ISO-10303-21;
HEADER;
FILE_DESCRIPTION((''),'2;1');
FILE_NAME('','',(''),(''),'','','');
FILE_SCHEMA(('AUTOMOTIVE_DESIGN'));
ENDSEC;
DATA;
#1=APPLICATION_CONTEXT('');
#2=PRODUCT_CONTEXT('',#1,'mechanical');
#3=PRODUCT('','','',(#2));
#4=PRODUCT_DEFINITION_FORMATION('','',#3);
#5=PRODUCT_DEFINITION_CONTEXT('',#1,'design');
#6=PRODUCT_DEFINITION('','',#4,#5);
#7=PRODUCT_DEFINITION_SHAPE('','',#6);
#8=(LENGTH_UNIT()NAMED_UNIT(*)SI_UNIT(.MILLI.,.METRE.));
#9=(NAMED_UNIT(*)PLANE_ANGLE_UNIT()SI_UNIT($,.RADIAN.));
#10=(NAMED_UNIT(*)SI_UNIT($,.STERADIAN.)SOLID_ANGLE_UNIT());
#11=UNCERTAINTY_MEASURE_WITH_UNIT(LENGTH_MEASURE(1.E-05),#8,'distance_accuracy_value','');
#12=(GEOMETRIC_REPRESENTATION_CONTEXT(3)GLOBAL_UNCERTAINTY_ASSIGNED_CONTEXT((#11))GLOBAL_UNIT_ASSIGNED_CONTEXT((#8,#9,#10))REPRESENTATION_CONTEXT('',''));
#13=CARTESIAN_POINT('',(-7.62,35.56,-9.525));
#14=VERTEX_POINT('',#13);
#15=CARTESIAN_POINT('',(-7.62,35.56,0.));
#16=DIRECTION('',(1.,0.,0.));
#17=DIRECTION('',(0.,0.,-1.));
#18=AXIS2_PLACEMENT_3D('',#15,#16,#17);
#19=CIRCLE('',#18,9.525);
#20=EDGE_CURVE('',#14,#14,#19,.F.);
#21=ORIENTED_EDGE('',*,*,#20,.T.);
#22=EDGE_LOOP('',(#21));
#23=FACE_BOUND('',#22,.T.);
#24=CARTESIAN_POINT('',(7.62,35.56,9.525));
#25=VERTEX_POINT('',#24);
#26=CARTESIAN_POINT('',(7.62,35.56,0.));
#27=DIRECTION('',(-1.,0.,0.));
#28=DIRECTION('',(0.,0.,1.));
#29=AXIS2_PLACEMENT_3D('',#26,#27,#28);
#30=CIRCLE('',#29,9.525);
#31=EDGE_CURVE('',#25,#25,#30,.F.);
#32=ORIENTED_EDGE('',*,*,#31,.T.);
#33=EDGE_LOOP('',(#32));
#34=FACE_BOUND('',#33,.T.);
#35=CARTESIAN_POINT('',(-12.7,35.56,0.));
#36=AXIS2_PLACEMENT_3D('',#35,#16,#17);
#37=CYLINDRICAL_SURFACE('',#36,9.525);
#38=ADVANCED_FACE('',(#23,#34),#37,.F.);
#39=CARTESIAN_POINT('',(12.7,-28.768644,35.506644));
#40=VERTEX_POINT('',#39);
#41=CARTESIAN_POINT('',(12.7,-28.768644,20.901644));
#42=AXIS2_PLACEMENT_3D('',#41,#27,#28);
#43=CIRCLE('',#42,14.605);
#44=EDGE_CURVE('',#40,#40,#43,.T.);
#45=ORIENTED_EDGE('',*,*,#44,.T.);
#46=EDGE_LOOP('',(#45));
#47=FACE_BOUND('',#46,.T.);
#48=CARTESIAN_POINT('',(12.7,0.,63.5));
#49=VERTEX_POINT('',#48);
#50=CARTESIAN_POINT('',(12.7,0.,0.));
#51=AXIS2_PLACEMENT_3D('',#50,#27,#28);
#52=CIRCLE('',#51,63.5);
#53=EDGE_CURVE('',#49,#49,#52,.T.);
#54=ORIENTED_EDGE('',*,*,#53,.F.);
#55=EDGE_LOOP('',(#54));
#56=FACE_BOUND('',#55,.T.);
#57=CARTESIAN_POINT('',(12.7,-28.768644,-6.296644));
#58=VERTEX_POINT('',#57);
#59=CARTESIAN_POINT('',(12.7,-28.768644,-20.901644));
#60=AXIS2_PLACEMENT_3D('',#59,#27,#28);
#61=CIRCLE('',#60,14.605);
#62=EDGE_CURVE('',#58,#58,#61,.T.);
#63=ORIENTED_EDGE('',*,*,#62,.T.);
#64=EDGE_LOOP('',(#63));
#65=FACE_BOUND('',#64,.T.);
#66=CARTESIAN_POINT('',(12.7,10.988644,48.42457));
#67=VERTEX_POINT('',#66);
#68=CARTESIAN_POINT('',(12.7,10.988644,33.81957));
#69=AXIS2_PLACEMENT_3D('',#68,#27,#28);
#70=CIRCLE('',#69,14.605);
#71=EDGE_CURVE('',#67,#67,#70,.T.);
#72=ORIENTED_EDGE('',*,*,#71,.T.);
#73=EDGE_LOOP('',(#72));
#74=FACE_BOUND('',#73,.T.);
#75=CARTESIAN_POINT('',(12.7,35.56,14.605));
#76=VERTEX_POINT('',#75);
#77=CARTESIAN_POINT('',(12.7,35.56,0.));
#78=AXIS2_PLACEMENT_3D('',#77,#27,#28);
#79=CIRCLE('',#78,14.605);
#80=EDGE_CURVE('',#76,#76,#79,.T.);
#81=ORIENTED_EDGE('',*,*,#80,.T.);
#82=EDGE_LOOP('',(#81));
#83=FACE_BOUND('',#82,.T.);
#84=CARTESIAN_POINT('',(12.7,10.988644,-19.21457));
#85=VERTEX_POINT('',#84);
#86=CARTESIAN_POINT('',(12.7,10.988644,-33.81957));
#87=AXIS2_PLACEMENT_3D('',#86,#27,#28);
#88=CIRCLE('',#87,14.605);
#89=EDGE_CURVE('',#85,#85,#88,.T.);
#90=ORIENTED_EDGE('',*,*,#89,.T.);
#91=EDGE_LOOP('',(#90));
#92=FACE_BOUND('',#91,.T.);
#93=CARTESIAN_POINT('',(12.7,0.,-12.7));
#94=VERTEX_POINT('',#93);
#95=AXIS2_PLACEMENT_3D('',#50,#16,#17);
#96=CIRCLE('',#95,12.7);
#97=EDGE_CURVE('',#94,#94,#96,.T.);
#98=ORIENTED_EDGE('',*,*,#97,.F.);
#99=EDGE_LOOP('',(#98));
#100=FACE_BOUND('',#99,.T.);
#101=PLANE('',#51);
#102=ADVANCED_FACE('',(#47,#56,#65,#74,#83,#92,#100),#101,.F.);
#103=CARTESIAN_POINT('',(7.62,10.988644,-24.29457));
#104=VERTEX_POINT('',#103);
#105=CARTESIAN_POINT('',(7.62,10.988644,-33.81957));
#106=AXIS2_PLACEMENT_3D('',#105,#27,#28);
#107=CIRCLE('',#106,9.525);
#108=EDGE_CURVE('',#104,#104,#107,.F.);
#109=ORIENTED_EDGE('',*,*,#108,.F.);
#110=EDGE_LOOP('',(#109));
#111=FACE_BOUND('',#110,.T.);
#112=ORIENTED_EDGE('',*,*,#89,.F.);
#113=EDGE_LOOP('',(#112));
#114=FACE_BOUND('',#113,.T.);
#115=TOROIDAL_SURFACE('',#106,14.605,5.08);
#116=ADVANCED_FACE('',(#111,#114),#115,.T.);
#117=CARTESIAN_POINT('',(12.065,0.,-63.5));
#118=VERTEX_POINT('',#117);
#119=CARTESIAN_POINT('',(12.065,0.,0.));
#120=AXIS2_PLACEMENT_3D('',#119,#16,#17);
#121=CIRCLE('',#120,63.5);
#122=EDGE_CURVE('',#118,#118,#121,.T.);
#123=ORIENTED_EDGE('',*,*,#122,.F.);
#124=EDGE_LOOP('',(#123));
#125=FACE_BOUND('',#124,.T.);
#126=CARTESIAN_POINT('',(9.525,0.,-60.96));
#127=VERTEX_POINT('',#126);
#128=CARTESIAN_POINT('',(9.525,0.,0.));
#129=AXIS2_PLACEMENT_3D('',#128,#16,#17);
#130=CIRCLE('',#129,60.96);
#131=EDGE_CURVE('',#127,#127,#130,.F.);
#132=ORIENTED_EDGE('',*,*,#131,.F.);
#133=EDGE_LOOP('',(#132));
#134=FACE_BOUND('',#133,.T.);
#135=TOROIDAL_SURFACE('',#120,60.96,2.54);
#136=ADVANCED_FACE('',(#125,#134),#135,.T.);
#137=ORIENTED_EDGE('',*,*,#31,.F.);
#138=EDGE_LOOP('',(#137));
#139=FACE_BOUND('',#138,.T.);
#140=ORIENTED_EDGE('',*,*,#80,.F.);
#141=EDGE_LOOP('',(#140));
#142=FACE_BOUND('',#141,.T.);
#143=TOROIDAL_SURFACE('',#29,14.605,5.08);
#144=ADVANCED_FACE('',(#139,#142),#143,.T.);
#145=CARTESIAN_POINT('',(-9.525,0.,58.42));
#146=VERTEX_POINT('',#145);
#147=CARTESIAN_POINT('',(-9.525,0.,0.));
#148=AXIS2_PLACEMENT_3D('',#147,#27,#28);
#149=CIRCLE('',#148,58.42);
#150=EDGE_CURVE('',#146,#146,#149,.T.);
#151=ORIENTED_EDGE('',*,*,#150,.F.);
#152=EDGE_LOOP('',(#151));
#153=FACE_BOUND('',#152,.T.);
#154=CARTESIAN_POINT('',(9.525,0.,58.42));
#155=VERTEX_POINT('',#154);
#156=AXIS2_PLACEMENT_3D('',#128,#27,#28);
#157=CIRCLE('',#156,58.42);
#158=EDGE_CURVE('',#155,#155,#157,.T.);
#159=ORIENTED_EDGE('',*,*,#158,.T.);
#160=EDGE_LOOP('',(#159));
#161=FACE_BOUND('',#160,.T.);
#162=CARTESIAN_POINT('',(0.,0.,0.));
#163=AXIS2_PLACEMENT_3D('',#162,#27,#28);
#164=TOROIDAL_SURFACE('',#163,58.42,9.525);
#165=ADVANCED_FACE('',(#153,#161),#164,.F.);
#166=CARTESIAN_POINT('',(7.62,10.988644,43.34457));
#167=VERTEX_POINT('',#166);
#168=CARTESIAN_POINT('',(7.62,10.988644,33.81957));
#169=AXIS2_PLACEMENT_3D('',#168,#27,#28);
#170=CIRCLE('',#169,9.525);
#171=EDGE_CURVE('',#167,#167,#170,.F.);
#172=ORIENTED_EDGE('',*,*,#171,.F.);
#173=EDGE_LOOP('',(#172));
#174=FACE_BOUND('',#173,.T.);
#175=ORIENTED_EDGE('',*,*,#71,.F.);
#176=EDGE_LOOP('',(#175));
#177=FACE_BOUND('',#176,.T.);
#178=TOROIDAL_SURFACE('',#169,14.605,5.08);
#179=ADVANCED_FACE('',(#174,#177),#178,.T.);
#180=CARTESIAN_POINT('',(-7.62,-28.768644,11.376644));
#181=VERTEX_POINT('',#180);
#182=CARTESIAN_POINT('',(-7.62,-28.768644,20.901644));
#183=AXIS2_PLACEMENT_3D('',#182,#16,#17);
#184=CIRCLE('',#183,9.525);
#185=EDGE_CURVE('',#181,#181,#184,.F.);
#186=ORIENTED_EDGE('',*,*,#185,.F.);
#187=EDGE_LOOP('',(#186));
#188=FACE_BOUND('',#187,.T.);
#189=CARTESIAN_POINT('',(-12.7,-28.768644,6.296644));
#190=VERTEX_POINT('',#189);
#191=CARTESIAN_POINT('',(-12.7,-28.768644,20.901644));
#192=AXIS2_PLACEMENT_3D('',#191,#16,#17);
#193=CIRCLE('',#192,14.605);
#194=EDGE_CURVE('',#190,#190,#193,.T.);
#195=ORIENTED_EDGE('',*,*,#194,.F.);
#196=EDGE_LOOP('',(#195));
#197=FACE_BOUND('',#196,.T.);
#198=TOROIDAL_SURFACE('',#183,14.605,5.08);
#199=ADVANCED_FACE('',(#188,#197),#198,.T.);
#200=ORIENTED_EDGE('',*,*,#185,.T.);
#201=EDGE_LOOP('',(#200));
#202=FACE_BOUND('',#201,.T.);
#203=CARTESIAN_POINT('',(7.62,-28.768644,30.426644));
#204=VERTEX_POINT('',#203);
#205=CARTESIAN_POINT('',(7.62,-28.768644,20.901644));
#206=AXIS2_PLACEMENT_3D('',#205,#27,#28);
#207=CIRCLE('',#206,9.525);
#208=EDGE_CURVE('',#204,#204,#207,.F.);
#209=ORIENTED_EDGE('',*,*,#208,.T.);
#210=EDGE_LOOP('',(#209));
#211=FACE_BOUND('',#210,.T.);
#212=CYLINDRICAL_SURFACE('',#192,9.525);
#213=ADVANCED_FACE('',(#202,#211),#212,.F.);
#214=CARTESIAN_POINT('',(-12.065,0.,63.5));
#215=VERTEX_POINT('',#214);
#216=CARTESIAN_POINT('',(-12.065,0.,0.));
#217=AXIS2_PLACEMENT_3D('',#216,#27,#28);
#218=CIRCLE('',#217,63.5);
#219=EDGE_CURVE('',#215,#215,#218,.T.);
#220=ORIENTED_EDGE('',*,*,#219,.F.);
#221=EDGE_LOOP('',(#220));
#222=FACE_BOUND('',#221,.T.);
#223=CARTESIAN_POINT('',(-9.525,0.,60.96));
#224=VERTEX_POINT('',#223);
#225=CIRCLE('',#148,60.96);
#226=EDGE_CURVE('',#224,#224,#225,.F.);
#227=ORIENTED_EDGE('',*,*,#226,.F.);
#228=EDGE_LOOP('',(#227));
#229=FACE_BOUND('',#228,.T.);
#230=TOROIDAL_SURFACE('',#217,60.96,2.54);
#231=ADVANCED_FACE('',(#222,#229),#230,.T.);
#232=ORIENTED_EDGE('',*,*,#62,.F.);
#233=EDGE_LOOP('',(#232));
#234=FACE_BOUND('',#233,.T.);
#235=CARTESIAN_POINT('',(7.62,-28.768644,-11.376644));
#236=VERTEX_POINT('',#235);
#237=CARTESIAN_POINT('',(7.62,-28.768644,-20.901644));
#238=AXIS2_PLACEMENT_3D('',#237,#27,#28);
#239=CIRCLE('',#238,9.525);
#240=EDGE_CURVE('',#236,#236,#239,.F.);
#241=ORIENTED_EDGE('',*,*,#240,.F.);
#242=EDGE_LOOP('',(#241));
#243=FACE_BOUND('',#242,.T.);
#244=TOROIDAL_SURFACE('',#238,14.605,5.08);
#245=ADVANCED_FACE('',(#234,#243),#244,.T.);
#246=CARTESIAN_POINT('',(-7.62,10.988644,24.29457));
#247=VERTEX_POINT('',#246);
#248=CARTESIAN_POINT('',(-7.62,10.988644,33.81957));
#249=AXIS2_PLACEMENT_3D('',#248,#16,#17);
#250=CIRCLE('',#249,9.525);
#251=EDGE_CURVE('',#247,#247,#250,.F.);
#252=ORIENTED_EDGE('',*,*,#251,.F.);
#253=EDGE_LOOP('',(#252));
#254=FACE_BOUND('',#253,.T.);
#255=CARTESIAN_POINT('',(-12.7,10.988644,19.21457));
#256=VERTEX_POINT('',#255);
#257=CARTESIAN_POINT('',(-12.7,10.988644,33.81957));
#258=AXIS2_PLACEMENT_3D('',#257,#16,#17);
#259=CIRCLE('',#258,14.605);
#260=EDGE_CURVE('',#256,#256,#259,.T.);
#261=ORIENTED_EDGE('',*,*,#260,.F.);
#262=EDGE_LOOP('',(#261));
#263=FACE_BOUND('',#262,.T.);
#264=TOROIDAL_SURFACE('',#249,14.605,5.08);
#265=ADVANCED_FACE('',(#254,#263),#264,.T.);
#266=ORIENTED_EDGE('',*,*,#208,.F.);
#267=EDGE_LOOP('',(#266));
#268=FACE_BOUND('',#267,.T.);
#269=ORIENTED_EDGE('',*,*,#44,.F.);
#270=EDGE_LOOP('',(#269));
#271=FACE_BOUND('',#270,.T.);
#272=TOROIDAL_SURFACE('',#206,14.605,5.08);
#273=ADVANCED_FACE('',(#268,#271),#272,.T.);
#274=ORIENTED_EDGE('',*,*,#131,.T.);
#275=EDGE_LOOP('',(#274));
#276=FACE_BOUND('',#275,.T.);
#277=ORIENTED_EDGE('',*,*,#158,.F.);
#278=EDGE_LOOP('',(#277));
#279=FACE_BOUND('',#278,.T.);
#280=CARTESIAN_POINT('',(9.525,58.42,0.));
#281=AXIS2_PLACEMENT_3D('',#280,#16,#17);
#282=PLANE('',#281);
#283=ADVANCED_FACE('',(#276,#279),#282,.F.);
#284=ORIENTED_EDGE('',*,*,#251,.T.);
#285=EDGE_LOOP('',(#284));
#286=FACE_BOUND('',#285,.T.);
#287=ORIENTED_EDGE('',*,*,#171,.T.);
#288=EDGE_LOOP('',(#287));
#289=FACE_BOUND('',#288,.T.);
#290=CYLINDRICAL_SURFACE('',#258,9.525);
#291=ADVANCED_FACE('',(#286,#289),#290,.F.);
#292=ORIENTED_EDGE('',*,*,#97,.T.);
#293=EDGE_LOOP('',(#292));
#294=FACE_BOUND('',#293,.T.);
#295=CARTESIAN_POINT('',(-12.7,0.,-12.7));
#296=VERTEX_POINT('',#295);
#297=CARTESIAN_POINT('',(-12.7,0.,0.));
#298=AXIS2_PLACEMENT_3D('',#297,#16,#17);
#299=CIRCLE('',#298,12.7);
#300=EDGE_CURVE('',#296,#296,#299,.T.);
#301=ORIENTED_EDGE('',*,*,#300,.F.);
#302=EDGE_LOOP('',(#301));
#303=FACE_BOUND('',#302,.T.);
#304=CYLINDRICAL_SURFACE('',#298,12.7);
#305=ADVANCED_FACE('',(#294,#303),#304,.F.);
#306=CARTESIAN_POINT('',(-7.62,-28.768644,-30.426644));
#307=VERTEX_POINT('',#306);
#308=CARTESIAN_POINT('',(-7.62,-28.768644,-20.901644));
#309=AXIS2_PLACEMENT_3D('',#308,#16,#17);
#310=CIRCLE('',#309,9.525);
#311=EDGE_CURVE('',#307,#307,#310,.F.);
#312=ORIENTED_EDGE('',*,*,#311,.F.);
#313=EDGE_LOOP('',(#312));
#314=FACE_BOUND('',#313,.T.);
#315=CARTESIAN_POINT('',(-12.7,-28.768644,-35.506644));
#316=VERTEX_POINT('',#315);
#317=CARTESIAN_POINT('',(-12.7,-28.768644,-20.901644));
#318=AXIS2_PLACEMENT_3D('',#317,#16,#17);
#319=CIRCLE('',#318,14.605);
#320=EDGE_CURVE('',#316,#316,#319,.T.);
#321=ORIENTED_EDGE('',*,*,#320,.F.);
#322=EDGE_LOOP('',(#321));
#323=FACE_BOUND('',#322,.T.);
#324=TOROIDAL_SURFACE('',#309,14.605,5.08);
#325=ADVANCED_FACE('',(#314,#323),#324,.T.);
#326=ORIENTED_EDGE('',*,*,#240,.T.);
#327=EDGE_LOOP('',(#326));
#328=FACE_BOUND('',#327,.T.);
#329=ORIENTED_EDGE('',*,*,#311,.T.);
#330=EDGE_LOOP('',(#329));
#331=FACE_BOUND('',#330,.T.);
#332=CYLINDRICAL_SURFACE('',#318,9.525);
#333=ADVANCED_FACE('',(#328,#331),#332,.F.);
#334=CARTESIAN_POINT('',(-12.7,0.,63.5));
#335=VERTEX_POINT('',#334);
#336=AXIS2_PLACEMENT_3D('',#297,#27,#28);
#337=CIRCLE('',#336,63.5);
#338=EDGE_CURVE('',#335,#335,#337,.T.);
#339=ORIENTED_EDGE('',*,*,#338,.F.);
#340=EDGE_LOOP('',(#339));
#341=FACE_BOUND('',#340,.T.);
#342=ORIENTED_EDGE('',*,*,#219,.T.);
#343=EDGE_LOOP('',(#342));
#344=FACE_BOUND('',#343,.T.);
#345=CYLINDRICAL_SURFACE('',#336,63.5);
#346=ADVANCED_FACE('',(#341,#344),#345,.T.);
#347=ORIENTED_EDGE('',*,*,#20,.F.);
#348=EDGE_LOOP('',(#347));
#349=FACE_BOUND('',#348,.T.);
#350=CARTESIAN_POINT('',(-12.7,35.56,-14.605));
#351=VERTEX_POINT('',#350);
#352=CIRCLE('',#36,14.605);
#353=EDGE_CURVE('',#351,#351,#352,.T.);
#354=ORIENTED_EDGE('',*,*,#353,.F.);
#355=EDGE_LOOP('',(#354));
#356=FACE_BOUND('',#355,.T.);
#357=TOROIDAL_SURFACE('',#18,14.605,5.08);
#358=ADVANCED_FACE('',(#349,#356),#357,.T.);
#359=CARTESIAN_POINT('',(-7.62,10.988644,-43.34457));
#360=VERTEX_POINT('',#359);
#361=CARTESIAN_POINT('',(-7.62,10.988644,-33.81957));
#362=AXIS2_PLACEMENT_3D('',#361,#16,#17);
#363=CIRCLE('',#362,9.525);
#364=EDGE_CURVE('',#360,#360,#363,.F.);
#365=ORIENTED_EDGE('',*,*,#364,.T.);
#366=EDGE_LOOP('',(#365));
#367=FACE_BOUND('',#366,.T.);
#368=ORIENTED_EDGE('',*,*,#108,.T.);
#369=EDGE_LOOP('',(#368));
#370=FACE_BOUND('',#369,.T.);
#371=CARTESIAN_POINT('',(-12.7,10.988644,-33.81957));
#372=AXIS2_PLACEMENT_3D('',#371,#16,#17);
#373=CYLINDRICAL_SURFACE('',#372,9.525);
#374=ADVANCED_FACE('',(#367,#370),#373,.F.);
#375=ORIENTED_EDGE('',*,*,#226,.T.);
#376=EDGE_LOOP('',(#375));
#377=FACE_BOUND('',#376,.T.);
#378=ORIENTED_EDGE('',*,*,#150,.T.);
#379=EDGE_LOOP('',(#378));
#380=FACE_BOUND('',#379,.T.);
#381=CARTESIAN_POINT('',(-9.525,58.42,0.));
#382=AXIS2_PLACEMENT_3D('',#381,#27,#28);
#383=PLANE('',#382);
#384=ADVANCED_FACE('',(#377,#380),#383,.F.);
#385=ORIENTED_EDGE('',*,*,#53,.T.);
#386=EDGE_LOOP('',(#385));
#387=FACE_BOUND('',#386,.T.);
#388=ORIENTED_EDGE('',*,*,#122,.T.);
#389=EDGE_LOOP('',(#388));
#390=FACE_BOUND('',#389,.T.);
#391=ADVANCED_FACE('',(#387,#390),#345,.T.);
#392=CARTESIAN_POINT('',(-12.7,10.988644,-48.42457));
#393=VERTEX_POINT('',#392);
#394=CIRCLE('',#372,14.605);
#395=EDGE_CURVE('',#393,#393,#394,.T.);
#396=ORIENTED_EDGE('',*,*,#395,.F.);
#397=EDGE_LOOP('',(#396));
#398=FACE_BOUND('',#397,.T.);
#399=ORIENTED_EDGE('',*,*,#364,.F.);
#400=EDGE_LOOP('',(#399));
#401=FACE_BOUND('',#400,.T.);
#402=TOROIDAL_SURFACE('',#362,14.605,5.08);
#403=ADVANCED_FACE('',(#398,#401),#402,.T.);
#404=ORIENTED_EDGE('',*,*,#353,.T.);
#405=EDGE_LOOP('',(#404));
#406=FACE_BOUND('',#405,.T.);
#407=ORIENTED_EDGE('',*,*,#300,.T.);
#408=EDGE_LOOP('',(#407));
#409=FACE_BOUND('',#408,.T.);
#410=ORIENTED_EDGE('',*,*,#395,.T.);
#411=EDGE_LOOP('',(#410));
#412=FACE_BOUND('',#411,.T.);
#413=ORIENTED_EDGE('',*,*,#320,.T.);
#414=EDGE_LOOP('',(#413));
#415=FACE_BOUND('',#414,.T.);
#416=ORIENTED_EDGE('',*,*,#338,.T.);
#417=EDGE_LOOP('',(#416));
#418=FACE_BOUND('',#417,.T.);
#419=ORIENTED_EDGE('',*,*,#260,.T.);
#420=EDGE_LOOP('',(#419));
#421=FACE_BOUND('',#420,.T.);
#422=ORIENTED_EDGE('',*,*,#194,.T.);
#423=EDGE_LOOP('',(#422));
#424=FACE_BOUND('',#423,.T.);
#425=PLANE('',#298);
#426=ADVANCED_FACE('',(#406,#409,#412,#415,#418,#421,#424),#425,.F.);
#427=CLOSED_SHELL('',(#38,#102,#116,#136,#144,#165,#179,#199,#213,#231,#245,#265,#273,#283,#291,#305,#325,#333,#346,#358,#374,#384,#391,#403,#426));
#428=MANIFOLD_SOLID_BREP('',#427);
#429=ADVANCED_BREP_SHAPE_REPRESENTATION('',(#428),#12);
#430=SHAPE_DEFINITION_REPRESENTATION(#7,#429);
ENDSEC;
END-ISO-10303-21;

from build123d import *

# Parameters (mm, degrees)
SKETCH3_R          = 9.525
CUT_EXTRUDE2_DEPTH = 94.3255592
FILLET3_R          = 5.08
FILLET4_R          = 2.54
SKETCH4_R          = 12.7
CUT_EXTRUDE3_DEPTH = 94.325559268


with BuildPart() as part:
    # Sketch2 → Revolve3 (revolve)
    with BuildSketch(Plane.XY, mode=Mode.PRIVATE) as revolve3_sk:
        with BuildLine():
            Line((-12.7, 0), (12.7, 0))
            Line((12.7, 0), (12.7, 63.5))
            Line((12.7, 63.5), (9.525, 63.5))
            Line((9.525, 63.5), (9.525, 58.42))
            ThreePointArc((9.525, 58.42), (0, 48.895), (-9.525, 58.42))
            Line((-9.525, 58.42), (-9.525, 63.5))
            Line((-9.525, 63.5), (-12.7, 63.5))
            Line((-12.7, 63.5), (-12.7, 0))
        make_face()
    revolve(revolve3_sk.sketch.rotate(Axis((-12.7, 0, 0), (1, 0, 0)), 90), axis=Axis((-12.7, 0, 0), (1, 0, 0)))

    # Sketch3 → Cut-Extrude2 (cut, through all)
    with BuildSketch(Plane(origin=(12.7, 0, 0), x_dir=(0, 0, -1), z_dir=(1, 0, 0))):
        with Locations((0, 35.56)):
            Circle(SKETCH3_R)
        with Locations((33.819569719, 10.98864432)):
            Circle(SKETCH3_R)
        with Locations((20.901643572, -28.76864432)):
            Circle(SKETCH3_R)
        with Locations((-20.901643572, -28.76864432)):
            Circle(SKETCH3_R)
        with Locations((-33.819569719, 10.98864432)):
            Circle(SKETCH3_R)
    extrude(amount=-CUT_EXTRUDE2_DEPTH, mode=Mode.SUBTRACT)

    # Fillet3
    fillet3_edges = [part.edges().sort_by_distance(p)[0] for p in [
        (-12.7, 35.56, 9.525),
        (12.7, 35.56, 9.525),
        (-12.7, 10.98864432, -24.294569719),
        (12.7, 10.98864432, -24.294569719),
        (-12.7, -28.76864432, -11.376643572),
        (12.7, -28.76864432, -11.376643572),
        (-12.7, -28.76864432, 30.426643572),
        (12.7, -28.76864432, 30.426643572),
        (-12.7, 10.98864432, 43.344569719),
        (12.7, 10.98864432, 43.344569719),
    ]]
    fillet(fillet3_edges, radius=FILLET3_R)

    # Fillet4
    fillet4_edges = [part.edges().sort_by_distance(p)[0] for p in [
        (-9.525, 0, -63.5),
        (9.525, 0, -63.5),
    ]]
    fillet(fillet4_edges, radius=FILLET4_R)

    # Sketch4 → Cut-Extrude3 (cut, through all)
    with BuildSketch(Plane(origin=(12.7, 0, 0), x_dir=(0, 0, -1), z_dir=(1, 0, 0))):
        Circle(SKETCH4_R)
    extrude(amount=-CUT_EXTRUDE3_DEPTH, mode=Mode.SUBTRACT)


solid = part.part
